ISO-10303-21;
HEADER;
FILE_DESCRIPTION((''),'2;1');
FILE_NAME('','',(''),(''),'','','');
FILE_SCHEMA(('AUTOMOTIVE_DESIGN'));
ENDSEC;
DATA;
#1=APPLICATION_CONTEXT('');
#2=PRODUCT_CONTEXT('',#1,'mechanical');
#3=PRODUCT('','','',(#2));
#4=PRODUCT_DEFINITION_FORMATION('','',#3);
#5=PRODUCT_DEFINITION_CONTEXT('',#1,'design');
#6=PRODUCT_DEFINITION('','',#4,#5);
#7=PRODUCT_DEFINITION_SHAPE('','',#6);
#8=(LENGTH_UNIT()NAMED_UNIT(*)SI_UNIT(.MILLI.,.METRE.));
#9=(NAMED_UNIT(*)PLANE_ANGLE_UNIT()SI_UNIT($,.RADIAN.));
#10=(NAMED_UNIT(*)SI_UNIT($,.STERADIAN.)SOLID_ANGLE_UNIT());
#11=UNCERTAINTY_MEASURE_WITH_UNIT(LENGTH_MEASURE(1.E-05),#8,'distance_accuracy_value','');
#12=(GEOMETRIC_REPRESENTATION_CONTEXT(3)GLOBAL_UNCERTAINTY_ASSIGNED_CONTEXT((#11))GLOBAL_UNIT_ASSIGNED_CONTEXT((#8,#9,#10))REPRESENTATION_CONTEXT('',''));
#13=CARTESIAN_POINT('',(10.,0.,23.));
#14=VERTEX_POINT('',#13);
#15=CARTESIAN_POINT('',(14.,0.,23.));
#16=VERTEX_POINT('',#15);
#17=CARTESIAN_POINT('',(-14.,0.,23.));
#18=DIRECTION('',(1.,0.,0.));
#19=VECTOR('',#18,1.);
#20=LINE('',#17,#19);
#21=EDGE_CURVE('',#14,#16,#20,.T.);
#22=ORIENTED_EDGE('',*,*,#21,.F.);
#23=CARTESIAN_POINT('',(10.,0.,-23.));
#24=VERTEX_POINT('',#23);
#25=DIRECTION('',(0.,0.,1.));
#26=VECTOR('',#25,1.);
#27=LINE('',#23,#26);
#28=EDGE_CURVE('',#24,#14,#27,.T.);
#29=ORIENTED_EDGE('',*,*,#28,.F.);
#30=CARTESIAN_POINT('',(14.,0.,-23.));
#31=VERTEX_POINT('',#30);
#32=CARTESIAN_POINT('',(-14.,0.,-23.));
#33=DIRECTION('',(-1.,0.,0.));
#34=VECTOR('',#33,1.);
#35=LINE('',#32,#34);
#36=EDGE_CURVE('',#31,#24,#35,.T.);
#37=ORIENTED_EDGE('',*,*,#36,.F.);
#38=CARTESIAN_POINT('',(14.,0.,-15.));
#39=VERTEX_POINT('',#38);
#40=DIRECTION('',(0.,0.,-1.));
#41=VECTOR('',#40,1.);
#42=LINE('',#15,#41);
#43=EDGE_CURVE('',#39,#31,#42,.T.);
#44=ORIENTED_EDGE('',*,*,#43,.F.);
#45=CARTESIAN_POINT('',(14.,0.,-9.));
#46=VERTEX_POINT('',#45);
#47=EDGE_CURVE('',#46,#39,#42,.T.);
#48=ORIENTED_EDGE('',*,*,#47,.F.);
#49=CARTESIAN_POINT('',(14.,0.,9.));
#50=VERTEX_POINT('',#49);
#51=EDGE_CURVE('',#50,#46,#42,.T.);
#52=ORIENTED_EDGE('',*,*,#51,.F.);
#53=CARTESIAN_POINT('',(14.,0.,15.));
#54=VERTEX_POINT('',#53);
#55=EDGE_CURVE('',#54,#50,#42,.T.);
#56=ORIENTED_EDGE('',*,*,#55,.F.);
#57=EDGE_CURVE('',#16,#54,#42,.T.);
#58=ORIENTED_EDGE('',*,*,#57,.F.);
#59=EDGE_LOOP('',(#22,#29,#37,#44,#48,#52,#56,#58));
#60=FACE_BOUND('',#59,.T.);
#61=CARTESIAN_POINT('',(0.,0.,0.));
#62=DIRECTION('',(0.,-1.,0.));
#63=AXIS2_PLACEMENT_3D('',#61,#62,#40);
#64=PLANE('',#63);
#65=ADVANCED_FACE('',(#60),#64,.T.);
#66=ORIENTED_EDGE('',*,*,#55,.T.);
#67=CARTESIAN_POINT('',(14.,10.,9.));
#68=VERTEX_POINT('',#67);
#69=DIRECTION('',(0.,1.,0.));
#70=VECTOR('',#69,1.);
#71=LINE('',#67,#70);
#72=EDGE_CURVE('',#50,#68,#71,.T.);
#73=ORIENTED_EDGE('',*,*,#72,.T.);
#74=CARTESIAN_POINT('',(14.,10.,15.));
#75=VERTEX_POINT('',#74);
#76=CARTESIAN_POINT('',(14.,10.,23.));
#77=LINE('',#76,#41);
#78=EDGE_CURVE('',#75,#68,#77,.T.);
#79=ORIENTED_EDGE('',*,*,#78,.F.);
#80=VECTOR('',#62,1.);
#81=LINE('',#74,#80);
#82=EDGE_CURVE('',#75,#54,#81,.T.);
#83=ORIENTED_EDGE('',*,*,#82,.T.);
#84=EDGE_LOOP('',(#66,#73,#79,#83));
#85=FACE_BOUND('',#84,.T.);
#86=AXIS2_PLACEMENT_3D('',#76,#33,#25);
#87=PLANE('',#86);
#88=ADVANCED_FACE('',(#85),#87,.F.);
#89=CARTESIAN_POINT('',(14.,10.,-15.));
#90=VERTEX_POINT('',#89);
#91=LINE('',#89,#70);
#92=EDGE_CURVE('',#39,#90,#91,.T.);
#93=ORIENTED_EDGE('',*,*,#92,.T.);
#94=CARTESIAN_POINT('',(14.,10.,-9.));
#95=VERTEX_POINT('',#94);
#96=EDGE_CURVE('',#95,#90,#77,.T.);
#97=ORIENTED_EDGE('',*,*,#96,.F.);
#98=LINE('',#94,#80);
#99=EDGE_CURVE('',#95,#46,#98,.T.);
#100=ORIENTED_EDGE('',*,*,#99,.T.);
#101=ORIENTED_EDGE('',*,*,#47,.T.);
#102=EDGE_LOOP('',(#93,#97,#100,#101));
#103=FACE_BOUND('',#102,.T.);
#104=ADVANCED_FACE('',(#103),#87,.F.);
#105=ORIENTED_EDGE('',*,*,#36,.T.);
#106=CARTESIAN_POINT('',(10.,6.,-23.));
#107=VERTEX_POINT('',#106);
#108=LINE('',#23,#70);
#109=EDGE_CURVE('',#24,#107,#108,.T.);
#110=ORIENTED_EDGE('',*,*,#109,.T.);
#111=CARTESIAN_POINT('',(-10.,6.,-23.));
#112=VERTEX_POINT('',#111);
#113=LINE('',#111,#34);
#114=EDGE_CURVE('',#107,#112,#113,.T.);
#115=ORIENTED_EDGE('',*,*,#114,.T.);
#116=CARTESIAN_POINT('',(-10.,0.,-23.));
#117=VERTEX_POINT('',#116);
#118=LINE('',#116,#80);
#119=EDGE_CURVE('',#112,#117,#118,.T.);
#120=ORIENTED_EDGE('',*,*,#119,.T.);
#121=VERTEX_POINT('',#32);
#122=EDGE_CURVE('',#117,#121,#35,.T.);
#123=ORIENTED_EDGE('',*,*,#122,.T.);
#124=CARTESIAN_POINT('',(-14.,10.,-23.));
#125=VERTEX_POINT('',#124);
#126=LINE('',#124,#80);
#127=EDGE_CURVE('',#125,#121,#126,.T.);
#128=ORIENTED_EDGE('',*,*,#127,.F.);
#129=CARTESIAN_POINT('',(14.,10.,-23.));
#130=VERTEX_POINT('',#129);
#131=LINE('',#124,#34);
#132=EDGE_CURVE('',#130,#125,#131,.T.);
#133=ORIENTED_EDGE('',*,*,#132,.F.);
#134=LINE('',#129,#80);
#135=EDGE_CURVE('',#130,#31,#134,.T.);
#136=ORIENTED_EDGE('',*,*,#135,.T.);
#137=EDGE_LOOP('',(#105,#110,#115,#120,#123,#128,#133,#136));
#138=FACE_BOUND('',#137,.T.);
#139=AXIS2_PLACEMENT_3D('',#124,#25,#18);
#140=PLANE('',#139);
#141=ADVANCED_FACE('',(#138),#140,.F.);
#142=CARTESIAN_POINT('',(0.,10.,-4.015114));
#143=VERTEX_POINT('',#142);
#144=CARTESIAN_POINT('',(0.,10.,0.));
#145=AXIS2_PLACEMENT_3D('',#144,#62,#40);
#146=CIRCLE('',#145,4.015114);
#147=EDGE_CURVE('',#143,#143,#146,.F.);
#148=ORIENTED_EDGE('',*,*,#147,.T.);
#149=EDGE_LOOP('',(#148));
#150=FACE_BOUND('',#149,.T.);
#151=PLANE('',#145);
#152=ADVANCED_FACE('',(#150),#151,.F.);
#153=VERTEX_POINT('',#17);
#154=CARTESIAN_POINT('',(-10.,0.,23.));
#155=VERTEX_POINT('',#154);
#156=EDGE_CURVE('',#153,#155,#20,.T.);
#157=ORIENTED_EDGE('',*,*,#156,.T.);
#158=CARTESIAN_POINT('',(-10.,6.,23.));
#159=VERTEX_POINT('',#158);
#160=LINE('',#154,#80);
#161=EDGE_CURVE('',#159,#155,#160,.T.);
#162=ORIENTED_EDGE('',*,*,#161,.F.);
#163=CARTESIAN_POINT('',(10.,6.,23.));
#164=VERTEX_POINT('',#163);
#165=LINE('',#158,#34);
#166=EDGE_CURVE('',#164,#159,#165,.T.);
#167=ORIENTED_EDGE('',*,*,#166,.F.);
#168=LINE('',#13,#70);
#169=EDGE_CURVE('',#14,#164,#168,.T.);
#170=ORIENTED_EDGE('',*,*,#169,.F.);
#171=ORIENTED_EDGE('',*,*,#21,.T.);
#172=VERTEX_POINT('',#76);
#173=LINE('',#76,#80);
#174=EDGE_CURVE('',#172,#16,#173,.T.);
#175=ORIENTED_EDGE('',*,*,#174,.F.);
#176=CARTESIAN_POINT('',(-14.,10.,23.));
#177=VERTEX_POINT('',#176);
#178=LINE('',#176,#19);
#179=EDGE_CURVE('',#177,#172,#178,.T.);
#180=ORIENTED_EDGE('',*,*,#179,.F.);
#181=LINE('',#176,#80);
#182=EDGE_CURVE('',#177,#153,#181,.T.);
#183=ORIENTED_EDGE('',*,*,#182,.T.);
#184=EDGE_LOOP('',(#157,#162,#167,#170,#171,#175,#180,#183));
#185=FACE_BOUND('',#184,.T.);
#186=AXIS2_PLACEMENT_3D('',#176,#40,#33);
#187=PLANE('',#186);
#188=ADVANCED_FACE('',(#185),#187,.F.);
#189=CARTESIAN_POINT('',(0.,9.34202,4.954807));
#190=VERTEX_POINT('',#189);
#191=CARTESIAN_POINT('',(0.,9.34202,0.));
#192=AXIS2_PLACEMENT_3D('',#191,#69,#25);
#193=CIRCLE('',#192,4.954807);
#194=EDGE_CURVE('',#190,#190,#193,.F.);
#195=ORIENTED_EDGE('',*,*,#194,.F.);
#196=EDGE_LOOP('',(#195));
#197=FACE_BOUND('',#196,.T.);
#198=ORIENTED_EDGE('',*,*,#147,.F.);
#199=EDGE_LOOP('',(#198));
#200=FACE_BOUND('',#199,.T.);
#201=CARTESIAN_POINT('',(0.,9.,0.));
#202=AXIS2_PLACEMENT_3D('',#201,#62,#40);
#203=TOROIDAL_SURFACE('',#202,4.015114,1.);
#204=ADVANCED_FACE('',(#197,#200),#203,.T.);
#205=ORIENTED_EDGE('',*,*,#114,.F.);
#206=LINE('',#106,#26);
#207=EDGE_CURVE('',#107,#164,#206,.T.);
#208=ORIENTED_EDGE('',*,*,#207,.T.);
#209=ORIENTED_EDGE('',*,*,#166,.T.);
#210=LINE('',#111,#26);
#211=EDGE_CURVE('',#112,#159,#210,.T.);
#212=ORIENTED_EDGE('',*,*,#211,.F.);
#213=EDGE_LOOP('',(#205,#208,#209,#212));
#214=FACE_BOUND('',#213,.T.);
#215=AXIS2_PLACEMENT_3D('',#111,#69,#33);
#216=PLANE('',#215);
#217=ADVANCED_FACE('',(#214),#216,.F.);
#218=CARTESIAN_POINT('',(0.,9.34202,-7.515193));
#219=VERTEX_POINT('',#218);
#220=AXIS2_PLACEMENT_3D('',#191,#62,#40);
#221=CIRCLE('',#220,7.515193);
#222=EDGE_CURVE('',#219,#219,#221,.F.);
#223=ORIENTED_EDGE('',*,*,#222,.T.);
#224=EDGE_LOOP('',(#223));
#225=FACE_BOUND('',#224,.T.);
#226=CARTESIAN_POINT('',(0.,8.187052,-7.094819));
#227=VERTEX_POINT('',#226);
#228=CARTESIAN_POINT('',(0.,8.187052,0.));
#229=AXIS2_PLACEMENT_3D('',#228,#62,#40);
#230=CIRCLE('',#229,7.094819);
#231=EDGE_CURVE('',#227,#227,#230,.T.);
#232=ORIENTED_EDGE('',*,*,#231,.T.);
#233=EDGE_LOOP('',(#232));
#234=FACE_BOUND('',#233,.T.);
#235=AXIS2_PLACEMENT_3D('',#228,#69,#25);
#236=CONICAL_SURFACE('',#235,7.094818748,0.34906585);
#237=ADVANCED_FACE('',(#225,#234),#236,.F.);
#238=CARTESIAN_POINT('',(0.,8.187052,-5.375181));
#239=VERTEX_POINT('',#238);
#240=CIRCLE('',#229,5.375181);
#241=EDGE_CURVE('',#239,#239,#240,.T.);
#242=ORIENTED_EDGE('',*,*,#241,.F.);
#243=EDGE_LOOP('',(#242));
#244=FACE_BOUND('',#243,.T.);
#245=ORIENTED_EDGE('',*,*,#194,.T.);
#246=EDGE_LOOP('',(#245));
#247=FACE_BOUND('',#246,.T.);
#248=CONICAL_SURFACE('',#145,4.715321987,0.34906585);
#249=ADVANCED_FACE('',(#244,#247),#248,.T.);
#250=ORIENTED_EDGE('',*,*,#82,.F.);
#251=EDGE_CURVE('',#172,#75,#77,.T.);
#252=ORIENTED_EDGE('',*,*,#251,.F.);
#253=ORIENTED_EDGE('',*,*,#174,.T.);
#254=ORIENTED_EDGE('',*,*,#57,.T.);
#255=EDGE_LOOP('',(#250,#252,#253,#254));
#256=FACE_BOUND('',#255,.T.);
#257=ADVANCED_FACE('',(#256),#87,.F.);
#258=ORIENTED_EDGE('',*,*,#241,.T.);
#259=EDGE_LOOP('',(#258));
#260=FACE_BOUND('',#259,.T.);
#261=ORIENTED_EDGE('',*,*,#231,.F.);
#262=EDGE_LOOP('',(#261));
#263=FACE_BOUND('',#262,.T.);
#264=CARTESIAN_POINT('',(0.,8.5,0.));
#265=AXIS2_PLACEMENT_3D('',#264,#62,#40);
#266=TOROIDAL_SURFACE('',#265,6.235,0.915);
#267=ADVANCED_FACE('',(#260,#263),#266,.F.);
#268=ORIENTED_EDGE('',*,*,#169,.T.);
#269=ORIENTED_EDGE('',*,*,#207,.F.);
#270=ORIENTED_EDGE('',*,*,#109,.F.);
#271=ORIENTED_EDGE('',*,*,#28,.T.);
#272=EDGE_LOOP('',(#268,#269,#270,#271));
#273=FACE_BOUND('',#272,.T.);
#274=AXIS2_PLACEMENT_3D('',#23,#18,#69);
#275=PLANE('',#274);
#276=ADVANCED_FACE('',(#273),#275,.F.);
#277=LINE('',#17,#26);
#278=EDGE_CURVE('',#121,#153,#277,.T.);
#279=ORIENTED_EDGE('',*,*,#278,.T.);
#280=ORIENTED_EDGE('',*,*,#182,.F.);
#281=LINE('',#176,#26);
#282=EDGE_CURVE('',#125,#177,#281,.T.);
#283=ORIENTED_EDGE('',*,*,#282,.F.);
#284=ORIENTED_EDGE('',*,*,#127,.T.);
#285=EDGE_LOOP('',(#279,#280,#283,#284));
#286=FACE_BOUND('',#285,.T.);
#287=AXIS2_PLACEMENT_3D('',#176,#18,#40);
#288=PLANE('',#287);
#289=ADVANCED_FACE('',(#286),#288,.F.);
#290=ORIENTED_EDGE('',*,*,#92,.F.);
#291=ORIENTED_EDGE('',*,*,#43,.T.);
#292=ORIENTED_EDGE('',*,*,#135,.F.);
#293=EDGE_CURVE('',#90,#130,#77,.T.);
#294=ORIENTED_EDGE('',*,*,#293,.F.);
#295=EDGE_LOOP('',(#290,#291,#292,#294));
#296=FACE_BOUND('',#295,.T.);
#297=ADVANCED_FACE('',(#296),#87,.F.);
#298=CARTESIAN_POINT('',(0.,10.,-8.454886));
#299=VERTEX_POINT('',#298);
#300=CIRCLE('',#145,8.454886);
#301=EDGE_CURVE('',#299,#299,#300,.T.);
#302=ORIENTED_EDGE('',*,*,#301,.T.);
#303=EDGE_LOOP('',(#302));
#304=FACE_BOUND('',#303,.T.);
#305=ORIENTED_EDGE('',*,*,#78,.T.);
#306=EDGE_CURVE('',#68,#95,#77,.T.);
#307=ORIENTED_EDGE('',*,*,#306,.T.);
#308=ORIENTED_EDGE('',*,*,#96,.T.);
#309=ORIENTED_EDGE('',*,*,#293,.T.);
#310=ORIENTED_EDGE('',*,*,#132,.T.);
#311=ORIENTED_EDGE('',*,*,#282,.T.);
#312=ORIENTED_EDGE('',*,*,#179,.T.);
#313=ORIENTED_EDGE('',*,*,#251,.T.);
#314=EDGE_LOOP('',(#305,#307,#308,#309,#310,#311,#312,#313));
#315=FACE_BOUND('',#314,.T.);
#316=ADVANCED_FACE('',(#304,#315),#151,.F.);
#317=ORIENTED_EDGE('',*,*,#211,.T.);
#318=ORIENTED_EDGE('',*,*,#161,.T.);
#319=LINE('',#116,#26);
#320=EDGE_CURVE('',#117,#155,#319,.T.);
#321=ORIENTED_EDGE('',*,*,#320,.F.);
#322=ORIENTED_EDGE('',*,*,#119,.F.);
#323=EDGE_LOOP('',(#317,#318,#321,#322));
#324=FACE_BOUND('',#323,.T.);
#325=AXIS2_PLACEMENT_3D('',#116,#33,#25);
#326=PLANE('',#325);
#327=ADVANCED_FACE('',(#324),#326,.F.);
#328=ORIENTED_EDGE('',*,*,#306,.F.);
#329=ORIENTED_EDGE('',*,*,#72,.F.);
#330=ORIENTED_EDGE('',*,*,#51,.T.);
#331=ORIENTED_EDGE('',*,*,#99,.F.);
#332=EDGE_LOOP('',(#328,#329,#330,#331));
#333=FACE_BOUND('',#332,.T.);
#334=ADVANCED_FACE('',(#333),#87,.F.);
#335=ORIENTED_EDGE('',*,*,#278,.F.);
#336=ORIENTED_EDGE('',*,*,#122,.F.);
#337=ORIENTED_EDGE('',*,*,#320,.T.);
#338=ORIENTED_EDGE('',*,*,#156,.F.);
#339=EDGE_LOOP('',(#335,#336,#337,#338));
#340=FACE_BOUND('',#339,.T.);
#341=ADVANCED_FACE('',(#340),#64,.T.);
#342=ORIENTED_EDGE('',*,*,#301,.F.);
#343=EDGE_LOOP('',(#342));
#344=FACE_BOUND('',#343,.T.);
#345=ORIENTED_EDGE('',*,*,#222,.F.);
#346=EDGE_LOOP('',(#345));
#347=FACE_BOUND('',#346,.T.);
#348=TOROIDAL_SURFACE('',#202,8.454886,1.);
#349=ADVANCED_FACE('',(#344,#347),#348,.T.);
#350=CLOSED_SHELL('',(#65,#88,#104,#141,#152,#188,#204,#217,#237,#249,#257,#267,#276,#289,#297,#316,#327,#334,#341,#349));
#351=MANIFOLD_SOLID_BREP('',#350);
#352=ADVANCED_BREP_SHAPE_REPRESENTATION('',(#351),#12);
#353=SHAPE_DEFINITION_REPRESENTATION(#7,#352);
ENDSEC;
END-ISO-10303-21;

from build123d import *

# Parameters (mm, degrees)
SKETCH1_W           = 28
SKETCH1_H           = 46
BOSS_EXTRUDE1_DEPTH = 10
SKETCH2_W           = 20
SKETCH2_H           = 6
CUT_EXTRUDE1_DEPTH  = 50.112116631
FILLET3_R           = 1


with BuildPart() as part:
    # Sketch1 → Boss-Extrude1 (new body)
    with BuildSketch(Plane(origin=(0, 0, 0), x_dir=(1, 0, 0), z_dir=(0, 1, 0))):
        Rectangle(SKETCH1_W, SKETCH1_H)
    extrude(amount=BOSS_EXTRUDE1_DEPTH)

    # Sketch2 → Cut-Extrude1 (cut, through all)
    with BuildSketch(Plane.XY.offset(23)):
        with Locations((0, 3)):
            Rectangle(SKETCH2_W, SKETCH2_H)
    extrude(amount=-CUT_EXTRUDE1_DEPTH, mode=Mode.SUBTRACT)

    # Sketch3 → Cut-Revolve1 (revolve, cut)
    with BuildSketch(Plane.XY, mode=Mode.PRIVATE) as cut_revolve1_sk:
        with BuildLine():
            Line((5.375181252, 8.187051569), (4.715321987, 10))
            Line((4.715321987, 10), (7.754678013, 10))
            Line((7.754678013, 10), (7.094818748, 8.187051569))
            ThreePointArc((7.094818748, 8.187051569), (6.235, 7.585), (5.375181252, 8.187051569))
        make_face()
    revolve(cut_revolve1_sk.sketch.rotate(Axis((0, -1000.11801834, 0), (0, 1, 0)), 90), axis=Axis((0, -1000.11801834, 0), (0, 1, 0)), mode=Mode.SUBTRACT)

    # Fillet3
    fillet3_edges = [part.edges().sort_by_distance(p)[0] for p in [
        (0, 10, 7.754678013),
        (0, 10, 4.715321987),
    ]]
    fillet(fillet3_edges, radius=FILLET3_R)


solid = part.part
